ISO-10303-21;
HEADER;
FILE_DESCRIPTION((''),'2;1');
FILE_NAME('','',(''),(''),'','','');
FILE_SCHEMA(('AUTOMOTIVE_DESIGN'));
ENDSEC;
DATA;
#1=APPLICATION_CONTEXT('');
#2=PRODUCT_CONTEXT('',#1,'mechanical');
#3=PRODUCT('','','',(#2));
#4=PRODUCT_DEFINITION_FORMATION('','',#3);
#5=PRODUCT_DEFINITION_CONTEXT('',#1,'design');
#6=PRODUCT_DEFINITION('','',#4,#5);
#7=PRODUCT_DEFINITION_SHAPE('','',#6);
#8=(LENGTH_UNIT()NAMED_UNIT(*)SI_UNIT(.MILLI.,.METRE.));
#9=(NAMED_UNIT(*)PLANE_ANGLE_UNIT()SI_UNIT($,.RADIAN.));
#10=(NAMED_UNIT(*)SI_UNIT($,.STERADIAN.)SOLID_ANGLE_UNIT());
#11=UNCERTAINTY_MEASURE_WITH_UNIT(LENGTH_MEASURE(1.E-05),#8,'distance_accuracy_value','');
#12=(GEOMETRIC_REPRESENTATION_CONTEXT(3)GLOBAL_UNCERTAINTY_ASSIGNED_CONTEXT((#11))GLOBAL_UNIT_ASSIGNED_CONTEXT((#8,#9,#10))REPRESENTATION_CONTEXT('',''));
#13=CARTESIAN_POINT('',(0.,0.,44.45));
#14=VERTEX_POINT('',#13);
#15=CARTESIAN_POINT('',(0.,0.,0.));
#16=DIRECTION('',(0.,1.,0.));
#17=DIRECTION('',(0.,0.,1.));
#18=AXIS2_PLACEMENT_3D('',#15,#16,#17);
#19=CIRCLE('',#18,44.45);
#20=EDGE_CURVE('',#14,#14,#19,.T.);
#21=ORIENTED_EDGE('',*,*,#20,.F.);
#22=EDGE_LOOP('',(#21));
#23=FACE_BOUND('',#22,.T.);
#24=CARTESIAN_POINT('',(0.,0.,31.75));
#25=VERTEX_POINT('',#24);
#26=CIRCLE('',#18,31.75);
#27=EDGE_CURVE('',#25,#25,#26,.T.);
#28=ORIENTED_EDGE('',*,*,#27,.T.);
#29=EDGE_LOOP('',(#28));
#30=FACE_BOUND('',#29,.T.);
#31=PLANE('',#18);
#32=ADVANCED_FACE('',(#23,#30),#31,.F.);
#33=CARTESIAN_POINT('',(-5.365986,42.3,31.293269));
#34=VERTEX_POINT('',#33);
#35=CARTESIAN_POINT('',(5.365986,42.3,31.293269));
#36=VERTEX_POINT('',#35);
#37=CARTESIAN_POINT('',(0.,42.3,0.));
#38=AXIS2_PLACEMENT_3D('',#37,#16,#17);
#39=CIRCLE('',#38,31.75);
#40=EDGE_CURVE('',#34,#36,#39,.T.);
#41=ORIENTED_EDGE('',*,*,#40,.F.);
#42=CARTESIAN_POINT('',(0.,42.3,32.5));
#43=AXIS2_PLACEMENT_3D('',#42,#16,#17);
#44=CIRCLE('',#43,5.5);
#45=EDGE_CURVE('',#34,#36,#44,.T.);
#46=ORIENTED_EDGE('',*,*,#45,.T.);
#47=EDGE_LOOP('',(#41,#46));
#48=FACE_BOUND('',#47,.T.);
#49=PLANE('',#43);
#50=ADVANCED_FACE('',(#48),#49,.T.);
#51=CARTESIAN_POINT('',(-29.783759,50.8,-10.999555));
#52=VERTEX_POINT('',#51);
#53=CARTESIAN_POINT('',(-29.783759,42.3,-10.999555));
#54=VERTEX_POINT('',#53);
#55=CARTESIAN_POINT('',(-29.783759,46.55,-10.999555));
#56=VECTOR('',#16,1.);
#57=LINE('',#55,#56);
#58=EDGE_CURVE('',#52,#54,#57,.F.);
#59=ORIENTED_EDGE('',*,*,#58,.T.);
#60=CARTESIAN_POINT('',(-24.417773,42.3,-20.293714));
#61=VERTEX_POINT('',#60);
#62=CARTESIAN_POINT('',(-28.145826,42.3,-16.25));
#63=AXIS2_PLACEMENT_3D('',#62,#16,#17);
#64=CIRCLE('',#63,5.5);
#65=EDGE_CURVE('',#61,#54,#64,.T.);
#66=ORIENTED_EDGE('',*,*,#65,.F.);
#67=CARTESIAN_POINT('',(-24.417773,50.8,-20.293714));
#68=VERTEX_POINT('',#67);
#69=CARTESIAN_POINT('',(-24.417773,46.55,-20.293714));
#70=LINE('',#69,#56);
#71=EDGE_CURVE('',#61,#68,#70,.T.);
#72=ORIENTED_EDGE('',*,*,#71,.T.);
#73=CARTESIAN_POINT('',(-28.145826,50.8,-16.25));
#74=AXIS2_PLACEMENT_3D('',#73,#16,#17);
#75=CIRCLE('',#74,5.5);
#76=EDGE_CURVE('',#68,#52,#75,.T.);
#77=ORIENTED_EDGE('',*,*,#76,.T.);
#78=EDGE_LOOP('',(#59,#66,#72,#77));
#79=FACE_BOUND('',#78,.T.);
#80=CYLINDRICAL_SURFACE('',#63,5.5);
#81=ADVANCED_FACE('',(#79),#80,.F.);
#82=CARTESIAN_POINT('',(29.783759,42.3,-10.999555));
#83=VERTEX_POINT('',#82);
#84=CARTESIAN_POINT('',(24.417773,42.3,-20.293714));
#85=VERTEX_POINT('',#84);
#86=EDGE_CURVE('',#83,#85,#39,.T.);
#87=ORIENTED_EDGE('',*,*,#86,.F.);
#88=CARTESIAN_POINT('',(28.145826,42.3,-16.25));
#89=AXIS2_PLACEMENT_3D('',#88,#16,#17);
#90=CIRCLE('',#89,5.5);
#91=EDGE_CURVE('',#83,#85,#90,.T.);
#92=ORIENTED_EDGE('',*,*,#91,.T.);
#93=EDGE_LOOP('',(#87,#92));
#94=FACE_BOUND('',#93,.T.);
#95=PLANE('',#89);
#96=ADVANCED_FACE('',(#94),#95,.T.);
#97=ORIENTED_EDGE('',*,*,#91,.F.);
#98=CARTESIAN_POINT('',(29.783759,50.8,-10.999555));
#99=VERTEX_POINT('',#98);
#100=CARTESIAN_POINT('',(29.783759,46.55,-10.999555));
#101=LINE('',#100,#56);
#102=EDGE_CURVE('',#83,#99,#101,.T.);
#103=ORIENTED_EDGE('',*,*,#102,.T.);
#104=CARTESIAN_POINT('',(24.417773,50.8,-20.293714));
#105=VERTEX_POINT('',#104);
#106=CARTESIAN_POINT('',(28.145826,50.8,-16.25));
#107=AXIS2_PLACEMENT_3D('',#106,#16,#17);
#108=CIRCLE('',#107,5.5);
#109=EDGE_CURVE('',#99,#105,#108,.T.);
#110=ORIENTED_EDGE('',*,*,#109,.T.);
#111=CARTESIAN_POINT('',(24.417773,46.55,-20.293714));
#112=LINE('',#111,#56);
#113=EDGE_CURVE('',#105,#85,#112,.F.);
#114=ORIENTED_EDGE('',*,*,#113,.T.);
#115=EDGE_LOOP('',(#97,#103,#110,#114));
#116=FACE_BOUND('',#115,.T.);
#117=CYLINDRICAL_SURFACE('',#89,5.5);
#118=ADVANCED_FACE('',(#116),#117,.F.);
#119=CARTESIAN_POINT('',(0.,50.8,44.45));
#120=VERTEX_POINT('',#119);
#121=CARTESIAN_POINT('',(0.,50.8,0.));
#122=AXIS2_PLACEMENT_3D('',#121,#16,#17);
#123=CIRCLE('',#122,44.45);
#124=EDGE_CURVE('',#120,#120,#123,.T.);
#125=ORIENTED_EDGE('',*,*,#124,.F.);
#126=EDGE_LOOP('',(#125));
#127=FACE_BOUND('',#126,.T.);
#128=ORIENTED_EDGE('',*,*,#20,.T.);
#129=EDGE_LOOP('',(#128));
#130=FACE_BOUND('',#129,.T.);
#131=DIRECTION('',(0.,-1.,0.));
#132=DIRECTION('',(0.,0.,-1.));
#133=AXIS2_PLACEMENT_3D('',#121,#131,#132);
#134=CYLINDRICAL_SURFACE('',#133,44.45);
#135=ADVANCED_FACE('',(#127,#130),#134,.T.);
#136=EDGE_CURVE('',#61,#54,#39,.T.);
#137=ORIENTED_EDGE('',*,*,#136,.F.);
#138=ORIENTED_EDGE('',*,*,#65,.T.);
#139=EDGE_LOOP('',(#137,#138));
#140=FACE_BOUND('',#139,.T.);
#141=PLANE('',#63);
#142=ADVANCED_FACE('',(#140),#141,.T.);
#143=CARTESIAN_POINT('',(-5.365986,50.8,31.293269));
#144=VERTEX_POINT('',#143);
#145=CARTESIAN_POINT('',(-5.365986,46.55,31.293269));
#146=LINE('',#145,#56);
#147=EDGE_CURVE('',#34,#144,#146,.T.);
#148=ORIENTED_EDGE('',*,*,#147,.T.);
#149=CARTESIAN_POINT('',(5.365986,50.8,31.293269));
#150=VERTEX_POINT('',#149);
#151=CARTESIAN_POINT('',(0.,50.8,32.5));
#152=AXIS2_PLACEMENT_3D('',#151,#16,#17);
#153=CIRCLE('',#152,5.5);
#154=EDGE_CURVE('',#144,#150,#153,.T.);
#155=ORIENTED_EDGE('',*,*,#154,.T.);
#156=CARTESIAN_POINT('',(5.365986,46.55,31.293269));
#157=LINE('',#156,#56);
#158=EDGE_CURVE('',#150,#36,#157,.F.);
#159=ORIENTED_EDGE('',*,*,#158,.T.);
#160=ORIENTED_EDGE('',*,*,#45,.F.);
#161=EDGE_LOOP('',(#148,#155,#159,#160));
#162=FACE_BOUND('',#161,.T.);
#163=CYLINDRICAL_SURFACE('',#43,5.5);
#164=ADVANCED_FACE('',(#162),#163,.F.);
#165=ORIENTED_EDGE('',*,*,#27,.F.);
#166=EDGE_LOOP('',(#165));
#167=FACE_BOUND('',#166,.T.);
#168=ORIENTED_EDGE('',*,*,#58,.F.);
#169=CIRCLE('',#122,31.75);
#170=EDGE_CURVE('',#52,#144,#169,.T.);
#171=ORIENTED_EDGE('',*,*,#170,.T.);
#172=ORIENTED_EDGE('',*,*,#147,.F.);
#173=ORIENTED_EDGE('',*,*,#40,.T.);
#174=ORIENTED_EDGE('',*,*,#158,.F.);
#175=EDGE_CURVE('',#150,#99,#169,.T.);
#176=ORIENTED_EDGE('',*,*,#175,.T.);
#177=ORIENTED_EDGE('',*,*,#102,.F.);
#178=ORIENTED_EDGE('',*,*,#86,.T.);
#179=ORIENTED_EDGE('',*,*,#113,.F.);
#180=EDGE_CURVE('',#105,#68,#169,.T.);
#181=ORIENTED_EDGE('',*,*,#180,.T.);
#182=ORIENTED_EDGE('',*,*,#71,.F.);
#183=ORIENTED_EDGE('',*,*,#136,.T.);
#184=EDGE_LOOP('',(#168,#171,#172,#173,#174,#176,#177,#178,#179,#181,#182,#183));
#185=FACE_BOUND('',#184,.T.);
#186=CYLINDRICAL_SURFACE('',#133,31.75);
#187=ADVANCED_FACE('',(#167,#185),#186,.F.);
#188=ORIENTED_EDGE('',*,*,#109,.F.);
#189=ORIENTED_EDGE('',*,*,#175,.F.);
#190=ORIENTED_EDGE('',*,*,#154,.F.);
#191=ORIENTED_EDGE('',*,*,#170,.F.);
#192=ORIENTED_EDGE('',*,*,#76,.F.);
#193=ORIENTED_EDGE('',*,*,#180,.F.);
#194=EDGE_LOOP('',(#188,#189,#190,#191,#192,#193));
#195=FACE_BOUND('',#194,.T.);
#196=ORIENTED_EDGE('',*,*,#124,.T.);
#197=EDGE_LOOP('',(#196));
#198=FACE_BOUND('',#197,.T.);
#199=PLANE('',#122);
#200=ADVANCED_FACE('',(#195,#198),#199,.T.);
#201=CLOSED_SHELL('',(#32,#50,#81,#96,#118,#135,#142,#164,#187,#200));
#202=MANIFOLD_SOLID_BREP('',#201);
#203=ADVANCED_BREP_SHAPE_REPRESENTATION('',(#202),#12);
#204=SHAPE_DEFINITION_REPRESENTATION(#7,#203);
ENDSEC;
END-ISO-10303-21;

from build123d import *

# Parameters (mm, degrees)
SKETCH1_R           = 44.45
SKETCH1_R_2         = 31.75
BOSS_EXTRUDE1_DEPTH = 50.8
SKETCH3_R           = 5.5
CUT_EXTRUDE2_DEPTH  = 8.5


with BuildPart() as part:
    # Sketch1 → Boss-Extrude1 (new body)
    with BuildSketch(Plane(origin=(0, 0, 0), x_dir=(1, 0, 0), z_dir=(0, 1, 0))):
        Circle(SKETCH1_R)
        Circle(SKETCH1_R_2, mode=Mode.SUBTRACT)
    extrude(amount=BOSS_EXTRUDE1_DEPTH)

    # Sketch3 → Cut-Extrude2 (cut)
    with BuildSketch(Plane(origin=(0, 50.8, 0), x_dir=(1, 0, 0), z_dir=(0, 1, 0))):
        with Locations((-28.145825623, 16.25)):
            Circle(SKETCH3_R)
        with Locations((0, -32.5)):
            Circle(SKETCH3_R)
        with Locations((28.145825623, 16.25)):
            Circle(SKETCH3_R)
    extrude(amount=-CUT_EXTRUDE2_DEPTH, mode=Mode.SUBTRACT)


solid = part.part
